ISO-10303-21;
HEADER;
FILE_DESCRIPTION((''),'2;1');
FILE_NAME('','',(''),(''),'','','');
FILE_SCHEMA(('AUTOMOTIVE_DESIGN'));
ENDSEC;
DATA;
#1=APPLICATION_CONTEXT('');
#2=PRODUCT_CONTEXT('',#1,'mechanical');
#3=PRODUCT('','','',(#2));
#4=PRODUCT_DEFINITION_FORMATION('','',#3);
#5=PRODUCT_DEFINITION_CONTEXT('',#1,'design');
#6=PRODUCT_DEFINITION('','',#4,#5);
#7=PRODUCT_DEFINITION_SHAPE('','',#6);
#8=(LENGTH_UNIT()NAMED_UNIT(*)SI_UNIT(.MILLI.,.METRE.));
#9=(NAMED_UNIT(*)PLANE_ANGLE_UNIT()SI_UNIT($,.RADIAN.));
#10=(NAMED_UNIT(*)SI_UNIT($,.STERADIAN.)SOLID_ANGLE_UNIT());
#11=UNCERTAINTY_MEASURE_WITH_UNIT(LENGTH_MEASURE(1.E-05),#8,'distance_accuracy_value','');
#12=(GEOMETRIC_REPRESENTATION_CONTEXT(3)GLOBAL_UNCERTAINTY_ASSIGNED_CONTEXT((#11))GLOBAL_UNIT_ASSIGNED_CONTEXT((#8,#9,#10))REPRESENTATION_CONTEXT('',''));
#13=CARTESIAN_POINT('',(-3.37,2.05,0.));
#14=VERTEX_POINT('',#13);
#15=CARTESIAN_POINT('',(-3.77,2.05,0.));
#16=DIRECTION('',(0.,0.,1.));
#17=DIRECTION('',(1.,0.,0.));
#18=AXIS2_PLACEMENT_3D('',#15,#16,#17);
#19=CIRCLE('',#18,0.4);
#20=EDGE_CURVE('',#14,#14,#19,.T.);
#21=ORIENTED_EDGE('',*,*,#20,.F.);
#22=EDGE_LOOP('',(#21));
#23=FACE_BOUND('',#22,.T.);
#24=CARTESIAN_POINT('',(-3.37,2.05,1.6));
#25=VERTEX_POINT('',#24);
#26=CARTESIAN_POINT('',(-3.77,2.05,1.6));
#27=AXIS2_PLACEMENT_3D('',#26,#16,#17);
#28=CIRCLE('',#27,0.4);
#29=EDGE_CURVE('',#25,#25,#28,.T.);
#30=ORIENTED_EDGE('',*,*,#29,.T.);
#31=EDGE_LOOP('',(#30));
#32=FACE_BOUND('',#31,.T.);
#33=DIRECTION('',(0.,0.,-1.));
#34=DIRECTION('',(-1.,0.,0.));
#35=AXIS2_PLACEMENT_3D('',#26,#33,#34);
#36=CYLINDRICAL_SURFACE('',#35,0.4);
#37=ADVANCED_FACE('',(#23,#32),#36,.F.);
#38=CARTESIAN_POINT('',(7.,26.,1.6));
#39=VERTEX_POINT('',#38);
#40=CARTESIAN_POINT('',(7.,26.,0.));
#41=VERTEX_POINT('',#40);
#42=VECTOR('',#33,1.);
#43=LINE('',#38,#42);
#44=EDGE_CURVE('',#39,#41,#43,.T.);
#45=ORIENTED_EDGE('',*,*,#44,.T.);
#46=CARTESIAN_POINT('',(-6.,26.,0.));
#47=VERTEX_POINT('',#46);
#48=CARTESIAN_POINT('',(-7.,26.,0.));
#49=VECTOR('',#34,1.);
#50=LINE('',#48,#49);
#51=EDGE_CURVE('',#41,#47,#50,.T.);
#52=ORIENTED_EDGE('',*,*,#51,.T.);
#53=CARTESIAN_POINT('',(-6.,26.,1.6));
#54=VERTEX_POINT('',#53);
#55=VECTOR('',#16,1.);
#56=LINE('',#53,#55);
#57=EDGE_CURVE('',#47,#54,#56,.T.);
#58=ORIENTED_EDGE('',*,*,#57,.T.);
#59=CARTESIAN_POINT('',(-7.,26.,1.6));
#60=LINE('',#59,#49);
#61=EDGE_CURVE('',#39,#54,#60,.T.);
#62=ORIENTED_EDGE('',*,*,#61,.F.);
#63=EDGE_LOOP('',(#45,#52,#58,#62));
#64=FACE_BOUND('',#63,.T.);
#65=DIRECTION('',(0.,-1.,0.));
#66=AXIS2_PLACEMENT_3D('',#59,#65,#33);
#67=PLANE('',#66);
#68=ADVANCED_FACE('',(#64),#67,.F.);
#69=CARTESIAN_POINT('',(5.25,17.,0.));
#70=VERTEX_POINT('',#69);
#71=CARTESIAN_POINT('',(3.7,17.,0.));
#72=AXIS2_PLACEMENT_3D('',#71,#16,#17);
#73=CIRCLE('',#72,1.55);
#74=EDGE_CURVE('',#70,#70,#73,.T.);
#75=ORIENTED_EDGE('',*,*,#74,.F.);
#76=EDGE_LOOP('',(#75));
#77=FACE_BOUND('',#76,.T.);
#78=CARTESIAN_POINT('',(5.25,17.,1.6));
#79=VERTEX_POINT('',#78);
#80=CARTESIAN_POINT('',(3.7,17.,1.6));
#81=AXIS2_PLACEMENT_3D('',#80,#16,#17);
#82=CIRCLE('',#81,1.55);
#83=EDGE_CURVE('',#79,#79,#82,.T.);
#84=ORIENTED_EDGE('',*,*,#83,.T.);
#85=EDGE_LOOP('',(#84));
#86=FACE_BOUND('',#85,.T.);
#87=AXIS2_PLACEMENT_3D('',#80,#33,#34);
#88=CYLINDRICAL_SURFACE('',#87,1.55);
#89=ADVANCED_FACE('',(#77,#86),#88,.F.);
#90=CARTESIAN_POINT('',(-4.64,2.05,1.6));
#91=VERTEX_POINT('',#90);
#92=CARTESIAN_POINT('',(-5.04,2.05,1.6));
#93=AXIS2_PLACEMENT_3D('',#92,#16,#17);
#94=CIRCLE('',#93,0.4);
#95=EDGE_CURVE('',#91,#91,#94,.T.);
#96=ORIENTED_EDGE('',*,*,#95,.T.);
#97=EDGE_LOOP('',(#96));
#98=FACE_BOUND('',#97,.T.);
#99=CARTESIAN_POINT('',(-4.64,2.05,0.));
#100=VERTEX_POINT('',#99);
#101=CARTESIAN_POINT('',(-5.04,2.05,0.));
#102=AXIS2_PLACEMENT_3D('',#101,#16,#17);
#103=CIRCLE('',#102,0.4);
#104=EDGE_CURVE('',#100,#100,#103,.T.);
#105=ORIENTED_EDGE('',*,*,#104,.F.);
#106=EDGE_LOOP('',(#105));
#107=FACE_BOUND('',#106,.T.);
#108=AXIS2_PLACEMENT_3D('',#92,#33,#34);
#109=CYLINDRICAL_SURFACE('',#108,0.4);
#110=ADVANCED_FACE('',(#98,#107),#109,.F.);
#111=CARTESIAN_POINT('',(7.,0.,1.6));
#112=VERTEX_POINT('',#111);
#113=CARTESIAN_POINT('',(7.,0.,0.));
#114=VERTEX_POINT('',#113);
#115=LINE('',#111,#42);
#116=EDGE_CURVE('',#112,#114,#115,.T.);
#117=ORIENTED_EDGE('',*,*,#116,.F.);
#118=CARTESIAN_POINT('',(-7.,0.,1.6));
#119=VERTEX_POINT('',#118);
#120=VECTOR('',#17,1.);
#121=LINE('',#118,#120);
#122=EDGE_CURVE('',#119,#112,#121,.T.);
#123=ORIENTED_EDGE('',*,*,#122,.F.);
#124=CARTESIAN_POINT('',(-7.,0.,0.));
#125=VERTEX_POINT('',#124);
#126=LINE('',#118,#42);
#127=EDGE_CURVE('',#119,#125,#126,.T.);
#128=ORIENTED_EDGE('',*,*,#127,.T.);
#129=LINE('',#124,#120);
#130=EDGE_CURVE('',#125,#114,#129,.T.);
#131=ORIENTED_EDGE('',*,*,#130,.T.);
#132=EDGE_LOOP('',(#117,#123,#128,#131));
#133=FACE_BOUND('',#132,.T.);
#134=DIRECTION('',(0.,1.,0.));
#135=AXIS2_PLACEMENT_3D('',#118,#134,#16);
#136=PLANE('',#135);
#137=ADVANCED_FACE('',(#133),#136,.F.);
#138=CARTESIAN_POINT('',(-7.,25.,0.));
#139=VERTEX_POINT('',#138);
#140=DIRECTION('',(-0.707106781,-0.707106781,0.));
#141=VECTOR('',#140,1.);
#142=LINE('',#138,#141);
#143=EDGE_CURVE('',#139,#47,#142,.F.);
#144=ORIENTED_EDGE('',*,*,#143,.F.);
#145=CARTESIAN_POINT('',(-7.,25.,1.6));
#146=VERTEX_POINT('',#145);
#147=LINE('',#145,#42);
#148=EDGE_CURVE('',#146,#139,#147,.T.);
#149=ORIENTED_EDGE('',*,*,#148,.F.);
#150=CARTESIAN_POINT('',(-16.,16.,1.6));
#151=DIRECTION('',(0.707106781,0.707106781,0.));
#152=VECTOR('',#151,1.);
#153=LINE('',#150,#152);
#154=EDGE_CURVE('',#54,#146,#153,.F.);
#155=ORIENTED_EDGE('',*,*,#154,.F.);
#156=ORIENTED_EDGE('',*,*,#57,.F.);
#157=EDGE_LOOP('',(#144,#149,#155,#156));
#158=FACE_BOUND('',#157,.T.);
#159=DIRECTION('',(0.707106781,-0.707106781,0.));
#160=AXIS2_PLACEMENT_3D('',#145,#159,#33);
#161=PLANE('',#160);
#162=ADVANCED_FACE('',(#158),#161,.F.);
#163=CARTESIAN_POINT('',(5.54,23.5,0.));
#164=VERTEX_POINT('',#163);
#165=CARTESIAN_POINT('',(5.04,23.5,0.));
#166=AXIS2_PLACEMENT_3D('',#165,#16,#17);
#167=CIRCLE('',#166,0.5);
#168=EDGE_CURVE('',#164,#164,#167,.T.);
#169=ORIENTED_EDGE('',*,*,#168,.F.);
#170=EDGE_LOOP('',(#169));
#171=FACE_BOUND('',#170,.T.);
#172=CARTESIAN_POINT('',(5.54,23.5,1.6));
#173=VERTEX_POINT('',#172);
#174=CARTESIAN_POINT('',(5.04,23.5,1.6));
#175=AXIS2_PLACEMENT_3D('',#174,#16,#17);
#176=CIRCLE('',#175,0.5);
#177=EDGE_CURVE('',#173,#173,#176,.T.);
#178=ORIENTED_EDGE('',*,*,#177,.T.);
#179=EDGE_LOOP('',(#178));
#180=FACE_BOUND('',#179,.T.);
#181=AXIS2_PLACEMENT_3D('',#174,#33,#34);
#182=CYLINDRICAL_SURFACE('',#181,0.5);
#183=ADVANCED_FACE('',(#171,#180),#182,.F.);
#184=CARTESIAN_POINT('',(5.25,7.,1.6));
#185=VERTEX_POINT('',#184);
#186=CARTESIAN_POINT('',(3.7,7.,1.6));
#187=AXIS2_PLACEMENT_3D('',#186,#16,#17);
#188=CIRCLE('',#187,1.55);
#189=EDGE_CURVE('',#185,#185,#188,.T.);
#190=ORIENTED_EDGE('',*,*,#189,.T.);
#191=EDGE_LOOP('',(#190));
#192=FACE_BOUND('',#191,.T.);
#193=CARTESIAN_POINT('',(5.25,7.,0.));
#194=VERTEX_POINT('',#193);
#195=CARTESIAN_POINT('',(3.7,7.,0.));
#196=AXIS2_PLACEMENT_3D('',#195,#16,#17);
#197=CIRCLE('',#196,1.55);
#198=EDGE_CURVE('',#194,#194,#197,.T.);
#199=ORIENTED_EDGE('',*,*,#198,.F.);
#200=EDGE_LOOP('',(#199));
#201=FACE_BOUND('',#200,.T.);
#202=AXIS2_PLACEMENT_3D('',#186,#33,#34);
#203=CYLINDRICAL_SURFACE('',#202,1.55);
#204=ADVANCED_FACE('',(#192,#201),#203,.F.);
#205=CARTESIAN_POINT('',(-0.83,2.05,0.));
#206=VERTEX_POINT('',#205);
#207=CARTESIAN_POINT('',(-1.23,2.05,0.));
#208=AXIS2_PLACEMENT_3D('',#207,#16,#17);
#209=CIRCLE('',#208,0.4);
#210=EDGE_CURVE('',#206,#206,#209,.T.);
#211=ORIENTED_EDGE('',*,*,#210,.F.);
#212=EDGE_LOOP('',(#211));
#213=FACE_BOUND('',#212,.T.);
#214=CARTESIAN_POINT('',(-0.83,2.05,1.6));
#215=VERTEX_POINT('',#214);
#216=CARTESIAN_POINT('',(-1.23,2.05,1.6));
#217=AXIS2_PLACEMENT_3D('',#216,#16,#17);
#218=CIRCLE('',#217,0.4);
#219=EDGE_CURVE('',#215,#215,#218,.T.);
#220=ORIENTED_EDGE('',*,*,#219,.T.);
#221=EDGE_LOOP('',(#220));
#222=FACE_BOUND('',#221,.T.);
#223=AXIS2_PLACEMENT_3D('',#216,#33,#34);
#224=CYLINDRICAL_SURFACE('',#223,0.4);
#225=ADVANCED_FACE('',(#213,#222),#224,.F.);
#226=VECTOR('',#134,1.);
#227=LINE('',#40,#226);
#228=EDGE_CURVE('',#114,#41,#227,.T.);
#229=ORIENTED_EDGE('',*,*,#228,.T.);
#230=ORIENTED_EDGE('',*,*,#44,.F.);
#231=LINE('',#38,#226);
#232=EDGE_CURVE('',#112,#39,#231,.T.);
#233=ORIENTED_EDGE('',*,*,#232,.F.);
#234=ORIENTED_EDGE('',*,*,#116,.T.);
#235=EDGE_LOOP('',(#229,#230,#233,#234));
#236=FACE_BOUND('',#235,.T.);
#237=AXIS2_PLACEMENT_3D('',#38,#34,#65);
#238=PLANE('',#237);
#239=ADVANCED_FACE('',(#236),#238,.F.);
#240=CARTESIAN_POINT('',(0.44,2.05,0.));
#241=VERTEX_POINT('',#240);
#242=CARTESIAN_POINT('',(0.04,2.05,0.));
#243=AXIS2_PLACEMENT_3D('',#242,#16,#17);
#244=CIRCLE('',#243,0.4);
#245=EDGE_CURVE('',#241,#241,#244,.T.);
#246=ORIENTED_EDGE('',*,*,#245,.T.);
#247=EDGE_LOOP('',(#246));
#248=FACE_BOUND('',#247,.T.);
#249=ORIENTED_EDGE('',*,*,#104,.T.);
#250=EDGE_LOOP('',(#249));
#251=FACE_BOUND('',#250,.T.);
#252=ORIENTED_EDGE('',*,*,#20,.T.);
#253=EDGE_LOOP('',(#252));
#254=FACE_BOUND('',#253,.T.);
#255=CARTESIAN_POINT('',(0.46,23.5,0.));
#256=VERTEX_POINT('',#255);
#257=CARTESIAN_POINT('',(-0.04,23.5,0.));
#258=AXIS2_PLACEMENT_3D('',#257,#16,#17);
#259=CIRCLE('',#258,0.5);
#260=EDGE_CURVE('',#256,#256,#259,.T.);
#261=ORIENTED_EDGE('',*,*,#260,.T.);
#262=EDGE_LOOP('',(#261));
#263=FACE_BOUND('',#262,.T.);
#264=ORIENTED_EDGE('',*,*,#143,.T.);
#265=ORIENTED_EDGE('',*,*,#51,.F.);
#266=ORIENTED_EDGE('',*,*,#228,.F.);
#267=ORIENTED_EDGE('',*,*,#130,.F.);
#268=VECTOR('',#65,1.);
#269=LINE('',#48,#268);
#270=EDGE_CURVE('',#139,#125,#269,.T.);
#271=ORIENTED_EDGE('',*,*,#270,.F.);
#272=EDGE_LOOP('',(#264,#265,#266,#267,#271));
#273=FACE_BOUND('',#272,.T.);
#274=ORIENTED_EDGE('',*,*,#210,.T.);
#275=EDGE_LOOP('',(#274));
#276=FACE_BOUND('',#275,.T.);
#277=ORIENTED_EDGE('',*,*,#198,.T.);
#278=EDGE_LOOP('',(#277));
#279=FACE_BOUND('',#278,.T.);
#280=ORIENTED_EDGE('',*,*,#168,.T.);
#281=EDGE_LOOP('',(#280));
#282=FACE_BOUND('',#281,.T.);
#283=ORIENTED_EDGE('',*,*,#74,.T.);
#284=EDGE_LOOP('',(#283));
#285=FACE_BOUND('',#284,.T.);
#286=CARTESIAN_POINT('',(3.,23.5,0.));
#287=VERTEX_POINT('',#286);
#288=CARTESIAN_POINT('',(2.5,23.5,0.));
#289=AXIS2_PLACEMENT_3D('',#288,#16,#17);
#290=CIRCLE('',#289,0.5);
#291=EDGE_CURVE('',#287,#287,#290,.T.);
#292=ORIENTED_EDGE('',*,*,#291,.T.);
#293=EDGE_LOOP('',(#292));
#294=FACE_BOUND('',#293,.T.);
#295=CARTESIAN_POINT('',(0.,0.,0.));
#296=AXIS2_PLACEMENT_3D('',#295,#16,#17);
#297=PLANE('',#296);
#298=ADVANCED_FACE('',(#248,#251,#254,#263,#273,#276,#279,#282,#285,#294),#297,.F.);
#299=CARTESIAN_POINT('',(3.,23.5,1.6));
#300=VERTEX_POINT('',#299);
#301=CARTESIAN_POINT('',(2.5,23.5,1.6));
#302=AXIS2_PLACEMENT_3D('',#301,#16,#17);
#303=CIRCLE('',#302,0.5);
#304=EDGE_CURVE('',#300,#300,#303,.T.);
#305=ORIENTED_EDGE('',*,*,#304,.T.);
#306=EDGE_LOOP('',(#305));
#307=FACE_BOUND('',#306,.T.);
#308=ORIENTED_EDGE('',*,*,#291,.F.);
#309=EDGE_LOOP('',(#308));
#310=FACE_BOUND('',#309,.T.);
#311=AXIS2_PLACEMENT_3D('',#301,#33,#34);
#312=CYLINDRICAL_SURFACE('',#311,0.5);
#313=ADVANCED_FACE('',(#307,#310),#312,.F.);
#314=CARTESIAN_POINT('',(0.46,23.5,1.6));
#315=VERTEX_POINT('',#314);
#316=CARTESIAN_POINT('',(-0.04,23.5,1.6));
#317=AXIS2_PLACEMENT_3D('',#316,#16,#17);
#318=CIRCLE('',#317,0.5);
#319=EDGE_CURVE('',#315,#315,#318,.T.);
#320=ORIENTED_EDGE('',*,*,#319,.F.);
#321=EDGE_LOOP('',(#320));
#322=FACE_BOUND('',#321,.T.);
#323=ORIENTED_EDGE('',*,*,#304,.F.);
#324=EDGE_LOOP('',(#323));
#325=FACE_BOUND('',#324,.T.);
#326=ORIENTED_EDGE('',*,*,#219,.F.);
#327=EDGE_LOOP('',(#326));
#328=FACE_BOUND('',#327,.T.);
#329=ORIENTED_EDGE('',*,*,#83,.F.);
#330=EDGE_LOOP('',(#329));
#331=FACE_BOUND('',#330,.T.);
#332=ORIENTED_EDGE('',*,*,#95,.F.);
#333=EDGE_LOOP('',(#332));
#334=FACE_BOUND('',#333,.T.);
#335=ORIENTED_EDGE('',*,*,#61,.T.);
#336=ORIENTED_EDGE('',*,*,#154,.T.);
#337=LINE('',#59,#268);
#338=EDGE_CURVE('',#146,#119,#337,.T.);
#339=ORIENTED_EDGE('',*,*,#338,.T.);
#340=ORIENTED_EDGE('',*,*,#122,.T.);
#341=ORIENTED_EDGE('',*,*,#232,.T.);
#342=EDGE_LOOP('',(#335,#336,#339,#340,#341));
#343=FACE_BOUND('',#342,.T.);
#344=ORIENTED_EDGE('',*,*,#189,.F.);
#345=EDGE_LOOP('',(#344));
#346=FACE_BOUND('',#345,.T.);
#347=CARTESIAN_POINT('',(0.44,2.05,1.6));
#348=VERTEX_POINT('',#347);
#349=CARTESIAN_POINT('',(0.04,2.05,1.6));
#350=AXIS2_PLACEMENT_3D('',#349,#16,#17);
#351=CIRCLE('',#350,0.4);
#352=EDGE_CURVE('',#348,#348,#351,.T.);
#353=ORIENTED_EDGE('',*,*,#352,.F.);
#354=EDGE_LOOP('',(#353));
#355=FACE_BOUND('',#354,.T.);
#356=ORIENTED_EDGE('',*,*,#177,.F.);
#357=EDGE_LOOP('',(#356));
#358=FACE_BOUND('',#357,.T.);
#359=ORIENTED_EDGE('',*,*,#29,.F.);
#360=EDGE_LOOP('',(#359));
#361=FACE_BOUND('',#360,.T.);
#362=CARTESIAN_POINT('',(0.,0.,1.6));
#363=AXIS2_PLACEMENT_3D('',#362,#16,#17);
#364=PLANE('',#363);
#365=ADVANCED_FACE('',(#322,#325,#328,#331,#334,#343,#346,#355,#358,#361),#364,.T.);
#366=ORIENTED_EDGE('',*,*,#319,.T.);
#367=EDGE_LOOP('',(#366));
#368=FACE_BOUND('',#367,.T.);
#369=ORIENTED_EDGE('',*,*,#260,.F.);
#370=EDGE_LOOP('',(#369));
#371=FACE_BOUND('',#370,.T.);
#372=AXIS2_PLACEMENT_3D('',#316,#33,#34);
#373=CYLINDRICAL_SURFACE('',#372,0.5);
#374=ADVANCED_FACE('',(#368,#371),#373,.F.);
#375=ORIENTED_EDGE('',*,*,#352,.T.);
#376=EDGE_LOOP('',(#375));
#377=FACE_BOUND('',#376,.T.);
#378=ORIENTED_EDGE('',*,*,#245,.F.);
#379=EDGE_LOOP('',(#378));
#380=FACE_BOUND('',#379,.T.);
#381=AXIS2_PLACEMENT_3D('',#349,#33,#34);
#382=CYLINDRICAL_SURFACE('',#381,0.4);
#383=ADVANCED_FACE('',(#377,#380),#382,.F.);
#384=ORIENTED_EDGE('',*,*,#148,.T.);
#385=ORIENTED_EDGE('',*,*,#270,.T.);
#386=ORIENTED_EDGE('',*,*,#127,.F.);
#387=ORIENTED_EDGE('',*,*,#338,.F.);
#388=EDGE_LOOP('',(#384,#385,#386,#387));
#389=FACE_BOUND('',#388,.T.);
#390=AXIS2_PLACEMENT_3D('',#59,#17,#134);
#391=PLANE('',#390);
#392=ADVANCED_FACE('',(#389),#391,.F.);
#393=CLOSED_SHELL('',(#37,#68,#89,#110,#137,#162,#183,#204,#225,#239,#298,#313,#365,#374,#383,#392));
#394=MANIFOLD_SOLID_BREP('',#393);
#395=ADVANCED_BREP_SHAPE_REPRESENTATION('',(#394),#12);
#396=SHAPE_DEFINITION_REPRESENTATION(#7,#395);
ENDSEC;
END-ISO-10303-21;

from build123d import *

# Parameters (mm, degrees)
SKETCH1_W           = 14
SKETCH1_H           = 26
SKETCH1_R           = 0.5
SKETCH1_R_2         = 0.4
SKETCH1_R_3         = 1.55
BOSS_EXTRUDE1_DEPTH = 1.6
CHAMFER1_SIZE       = 1


with BuildPart() as part:
    # Sketch1 → Boss-Extrude1 (new body)
    with BuildSketch(Plane.XY):
        with Locations((0, 13)):
            Rectangle(SKETCH1_W, SKETCH1_H)
        with Locations((-0.04, 23.5)):
            Circle(SKETCH1_R, mode=Mode.SUBTRACT)
        with Locations((2.5, 23.5)):
            Circle(SKETCH1_R, mode=Mode.SUBTRACT)
        with Locations((5.04, 23.5)):
            Circle(SKETCH1_R, mode=Mode.SUBTRACT)
        with Locations((-5.04, 2.05)):
            Circle(SKETCH1_R_2, mode=Mode.SUBTRACT)
        with Locations((-3.77, 2.05)):
            Circle(SKETCH1_R_2, mode=Mode.SUBTRACT)
        with Locations((-1.23, 2.05)):
            Circle(SKETCH1_R_2, mode=Mode.SUBTRACT)
        with Locations((0.04, 2.05)):
            Circle(SKETCH1_R_2, mode=Mode.SUBTRACT)
        with Locations((3.7, 7)):
            Circle(SKETCH1_R_3, mode=Mode.SUBTRACT)
        with Locations((3.7, 17)):
            Circle(SKETCH1_R_3, mode=Mode.SUBTRACT)
    extrude(amount=BOSS_EXTRUDE1_DEPTH)

    # Chamfer1
    chamfer1_edges = [part.edges().sort_by_distance(p)[0] for p in [
        (-7, 26, 0.8),
    ]]
    chamfer(chamfer1_edges, length=CHAMFER1_SIZE)


solid = part.part
